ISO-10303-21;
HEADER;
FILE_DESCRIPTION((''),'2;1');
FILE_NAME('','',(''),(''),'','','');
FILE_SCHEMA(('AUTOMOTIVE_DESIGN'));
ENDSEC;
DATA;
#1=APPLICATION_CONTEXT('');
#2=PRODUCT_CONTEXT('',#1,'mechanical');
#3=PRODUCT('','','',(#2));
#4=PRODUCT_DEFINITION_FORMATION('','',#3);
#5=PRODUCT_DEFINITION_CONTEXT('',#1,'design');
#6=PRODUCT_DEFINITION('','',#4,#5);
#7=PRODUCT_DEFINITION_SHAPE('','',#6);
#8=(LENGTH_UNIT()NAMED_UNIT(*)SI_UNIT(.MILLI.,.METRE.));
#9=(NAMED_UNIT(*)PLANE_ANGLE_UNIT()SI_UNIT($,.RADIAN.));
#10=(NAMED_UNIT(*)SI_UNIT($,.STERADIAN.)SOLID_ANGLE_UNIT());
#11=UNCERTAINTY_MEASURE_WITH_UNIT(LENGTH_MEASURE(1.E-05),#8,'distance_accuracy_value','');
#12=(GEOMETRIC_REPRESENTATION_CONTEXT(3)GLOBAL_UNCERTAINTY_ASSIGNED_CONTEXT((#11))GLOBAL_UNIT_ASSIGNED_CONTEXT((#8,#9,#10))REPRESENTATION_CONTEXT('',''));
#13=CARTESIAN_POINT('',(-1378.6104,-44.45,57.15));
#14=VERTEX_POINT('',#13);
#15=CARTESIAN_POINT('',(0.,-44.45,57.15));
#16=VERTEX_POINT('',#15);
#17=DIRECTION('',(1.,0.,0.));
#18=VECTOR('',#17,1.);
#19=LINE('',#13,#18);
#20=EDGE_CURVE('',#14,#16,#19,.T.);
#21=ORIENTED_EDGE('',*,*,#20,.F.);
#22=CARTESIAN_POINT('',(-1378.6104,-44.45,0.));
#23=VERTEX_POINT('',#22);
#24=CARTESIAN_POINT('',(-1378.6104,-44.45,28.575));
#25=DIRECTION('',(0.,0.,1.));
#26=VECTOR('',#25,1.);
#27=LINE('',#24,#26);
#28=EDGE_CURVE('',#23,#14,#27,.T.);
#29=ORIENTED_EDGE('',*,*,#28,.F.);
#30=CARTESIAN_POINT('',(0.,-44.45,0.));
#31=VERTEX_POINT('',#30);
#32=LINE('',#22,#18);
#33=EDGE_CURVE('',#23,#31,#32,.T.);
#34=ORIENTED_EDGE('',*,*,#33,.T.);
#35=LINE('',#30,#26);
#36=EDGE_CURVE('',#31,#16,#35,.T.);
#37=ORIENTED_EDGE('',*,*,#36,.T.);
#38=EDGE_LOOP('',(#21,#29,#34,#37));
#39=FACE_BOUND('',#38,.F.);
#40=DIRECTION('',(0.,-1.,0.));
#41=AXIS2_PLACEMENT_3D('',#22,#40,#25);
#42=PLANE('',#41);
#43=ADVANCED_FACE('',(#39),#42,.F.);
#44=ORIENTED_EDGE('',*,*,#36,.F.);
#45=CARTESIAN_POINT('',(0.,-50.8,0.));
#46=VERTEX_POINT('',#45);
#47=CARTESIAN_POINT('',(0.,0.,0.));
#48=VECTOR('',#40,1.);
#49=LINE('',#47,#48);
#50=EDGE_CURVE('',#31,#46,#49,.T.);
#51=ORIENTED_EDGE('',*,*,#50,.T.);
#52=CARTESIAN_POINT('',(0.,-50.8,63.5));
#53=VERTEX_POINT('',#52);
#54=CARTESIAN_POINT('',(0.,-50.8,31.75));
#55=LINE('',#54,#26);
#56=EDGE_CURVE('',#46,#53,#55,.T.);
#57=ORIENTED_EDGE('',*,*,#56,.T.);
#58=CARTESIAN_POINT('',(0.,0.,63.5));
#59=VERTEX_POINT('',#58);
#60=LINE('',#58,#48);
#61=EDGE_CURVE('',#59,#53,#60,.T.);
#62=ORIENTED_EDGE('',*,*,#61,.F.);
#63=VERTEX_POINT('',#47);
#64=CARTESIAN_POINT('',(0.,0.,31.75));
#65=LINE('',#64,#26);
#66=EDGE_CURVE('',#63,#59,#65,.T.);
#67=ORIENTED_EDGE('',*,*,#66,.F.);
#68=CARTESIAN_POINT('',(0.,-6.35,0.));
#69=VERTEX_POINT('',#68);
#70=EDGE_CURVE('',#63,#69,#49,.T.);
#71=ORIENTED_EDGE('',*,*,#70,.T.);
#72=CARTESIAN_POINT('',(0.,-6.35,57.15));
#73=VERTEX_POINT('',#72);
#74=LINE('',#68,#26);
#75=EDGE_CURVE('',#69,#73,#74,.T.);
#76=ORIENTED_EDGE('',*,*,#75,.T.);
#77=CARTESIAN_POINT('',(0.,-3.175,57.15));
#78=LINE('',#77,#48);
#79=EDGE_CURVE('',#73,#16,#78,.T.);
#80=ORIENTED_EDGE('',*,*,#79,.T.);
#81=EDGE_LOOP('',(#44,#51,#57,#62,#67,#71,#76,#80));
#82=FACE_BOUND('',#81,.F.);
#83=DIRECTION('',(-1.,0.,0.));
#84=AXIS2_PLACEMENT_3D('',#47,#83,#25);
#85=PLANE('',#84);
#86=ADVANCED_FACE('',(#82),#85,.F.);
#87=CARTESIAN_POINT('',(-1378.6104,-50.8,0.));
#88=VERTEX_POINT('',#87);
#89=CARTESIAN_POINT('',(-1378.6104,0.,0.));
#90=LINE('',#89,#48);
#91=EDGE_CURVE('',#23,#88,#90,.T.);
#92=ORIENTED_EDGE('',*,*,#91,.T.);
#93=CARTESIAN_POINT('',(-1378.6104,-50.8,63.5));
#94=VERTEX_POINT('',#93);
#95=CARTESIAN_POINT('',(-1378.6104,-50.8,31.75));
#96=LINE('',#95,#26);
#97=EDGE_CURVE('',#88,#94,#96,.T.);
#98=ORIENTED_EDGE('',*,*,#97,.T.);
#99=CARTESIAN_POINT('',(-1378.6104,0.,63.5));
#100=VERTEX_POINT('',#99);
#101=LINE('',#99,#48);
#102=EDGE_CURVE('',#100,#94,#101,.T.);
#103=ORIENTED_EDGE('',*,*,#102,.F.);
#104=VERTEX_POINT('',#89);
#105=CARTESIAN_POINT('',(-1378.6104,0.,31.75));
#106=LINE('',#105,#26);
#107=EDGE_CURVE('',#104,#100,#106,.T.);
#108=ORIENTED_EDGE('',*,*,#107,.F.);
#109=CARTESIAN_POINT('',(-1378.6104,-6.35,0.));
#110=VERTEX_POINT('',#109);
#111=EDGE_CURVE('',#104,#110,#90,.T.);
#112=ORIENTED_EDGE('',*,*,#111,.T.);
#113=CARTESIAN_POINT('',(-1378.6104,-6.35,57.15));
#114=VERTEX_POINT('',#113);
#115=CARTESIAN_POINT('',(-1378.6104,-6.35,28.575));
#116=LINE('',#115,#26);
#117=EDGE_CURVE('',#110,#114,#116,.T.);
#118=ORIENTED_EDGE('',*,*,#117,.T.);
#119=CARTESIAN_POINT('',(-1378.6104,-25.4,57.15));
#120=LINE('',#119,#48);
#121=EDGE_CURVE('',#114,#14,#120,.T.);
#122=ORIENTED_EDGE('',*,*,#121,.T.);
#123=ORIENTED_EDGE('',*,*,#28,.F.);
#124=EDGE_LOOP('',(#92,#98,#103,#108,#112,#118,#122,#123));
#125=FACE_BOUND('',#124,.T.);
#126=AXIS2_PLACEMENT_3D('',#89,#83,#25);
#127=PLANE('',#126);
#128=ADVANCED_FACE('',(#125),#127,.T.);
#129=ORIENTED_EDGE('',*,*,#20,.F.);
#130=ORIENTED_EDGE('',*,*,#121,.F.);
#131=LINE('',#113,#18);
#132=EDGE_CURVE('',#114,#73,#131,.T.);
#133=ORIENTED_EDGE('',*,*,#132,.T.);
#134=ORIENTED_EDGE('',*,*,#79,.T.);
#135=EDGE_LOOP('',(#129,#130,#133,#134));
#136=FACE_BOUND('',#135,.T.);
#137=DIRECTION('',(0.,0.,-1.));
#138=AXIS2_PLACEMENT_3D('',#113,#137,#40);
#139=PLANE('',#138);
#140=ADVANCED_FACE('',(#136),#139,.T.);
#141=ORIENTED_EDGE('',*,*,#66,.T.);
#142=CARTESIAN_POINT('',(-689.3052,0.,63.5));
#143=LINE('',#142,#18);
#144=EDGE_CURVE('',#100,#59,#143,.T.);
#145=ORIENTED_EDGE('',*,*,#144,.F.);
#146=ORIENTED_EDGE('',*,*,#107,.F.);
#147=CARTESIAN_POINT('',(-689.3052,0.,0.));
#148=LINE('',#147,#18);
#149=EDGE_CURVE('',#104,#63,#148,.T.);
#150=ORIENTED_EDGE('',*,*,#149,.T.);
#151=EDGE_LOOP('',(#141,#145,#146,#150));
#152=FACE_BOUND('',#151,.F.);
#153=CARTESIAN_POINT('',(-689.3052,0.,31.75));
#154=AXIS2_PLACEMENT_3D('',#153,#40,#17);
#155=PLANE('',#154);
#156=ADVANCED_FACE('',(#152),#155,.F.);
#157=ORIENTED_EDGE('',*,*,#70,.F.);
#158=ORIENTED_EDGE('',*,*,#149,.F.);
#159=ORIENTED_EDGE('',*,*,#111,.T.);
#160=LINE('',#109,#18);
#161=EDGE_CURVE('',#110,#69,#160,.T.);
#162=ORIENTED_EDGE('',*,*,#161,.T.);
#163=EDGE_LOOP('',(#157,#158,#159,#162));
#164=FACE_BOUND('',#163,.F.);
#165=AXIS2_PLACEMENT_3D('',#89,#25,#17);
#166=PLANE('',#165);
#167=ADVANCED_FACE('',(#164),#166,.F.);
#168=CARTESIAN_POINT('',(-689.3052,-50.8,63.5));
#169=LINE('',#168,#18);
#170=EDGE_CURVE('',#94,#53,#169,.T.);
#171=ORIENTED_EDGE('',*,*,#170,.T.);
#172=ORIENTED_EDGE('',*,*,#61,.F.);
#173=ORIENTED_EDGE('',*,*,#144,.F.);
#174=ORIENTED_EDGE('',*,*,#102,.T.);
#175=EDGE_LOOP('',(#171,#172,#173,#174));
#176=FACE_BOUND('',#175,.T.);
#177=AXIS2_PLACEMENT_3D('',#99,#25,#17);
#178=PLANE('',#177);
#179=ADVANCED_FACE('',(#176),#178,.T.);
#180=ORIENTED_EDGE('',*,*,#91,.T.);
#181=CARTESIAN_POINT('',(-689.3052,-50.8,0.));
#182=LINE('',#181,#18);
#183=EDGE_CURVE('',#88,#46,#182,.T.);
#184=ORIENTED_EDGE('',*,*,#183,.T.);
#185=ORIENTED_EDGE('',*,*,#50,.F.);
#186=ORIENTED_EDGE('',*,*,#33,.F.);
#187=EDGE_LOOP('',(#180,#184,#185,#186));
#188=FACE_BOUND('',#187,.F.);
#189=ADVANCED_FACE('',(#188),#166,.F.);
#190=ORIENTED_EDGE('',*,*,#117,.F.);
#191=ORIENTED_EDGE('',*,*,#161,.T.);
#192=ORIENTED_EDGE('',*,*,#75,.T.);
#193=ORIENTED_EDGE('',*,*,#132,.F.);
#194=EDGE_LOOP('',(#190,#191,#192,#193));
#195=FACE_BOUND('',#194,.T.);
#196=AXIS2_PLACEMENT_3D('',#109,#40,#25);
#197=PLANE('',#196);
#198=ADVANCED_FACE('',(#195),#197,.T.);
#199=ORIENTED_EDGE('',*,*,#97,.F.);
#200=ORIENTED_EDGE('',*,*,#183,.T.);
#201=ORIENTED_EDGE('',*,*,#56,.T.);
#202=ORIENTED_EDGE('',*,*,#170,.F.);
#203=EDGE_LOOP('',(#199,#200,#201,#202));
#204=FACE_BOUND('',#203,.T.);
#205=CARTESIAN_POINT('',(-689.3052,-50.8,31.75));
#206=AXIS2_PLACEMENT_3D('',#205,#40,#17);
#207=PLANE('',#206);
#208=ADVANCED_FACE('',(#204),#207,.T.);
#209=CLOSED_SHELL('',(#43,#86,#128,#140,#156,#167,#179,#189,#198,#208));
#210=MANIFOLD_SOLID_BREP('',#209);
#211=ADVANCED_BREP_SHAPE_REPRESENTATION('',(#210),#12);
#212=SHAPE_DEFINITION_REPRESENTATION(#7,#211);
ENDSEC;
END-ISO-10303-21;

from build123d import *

# Parameters (mm, degrees)
F0_W     = 1378.6104
F0_H     = 63.5
F1_DEPTH = 50.8
F2_W     = 38.1
F2_H     = 57.15
F3_DEPTH = 1378.6114


with BuildPart() as f1:
    # F0 (on Front) → F1 (new body)
    with BuildSketch(Plane.XZ):
        with Locations((-689.3052, 31.75)):
            Rectangle(F0_W, F0_H)
    extrude(amount=F1_DEPTH)

    # F2 (on face) → F3 (cut, through all)
    with BuildSketch(Plane(origin=(-1378.6104, 0, 0), x_dir=(0, -1, 0), z_dir=(-1, 0, 0))):
        with Locations((25.4, 28.575)):
            Rectangle(F2_W, F2_H)
    extrude(amount=-F3_DEPTH, mode=Mode.SUBTRACT)


solid = f1.part
